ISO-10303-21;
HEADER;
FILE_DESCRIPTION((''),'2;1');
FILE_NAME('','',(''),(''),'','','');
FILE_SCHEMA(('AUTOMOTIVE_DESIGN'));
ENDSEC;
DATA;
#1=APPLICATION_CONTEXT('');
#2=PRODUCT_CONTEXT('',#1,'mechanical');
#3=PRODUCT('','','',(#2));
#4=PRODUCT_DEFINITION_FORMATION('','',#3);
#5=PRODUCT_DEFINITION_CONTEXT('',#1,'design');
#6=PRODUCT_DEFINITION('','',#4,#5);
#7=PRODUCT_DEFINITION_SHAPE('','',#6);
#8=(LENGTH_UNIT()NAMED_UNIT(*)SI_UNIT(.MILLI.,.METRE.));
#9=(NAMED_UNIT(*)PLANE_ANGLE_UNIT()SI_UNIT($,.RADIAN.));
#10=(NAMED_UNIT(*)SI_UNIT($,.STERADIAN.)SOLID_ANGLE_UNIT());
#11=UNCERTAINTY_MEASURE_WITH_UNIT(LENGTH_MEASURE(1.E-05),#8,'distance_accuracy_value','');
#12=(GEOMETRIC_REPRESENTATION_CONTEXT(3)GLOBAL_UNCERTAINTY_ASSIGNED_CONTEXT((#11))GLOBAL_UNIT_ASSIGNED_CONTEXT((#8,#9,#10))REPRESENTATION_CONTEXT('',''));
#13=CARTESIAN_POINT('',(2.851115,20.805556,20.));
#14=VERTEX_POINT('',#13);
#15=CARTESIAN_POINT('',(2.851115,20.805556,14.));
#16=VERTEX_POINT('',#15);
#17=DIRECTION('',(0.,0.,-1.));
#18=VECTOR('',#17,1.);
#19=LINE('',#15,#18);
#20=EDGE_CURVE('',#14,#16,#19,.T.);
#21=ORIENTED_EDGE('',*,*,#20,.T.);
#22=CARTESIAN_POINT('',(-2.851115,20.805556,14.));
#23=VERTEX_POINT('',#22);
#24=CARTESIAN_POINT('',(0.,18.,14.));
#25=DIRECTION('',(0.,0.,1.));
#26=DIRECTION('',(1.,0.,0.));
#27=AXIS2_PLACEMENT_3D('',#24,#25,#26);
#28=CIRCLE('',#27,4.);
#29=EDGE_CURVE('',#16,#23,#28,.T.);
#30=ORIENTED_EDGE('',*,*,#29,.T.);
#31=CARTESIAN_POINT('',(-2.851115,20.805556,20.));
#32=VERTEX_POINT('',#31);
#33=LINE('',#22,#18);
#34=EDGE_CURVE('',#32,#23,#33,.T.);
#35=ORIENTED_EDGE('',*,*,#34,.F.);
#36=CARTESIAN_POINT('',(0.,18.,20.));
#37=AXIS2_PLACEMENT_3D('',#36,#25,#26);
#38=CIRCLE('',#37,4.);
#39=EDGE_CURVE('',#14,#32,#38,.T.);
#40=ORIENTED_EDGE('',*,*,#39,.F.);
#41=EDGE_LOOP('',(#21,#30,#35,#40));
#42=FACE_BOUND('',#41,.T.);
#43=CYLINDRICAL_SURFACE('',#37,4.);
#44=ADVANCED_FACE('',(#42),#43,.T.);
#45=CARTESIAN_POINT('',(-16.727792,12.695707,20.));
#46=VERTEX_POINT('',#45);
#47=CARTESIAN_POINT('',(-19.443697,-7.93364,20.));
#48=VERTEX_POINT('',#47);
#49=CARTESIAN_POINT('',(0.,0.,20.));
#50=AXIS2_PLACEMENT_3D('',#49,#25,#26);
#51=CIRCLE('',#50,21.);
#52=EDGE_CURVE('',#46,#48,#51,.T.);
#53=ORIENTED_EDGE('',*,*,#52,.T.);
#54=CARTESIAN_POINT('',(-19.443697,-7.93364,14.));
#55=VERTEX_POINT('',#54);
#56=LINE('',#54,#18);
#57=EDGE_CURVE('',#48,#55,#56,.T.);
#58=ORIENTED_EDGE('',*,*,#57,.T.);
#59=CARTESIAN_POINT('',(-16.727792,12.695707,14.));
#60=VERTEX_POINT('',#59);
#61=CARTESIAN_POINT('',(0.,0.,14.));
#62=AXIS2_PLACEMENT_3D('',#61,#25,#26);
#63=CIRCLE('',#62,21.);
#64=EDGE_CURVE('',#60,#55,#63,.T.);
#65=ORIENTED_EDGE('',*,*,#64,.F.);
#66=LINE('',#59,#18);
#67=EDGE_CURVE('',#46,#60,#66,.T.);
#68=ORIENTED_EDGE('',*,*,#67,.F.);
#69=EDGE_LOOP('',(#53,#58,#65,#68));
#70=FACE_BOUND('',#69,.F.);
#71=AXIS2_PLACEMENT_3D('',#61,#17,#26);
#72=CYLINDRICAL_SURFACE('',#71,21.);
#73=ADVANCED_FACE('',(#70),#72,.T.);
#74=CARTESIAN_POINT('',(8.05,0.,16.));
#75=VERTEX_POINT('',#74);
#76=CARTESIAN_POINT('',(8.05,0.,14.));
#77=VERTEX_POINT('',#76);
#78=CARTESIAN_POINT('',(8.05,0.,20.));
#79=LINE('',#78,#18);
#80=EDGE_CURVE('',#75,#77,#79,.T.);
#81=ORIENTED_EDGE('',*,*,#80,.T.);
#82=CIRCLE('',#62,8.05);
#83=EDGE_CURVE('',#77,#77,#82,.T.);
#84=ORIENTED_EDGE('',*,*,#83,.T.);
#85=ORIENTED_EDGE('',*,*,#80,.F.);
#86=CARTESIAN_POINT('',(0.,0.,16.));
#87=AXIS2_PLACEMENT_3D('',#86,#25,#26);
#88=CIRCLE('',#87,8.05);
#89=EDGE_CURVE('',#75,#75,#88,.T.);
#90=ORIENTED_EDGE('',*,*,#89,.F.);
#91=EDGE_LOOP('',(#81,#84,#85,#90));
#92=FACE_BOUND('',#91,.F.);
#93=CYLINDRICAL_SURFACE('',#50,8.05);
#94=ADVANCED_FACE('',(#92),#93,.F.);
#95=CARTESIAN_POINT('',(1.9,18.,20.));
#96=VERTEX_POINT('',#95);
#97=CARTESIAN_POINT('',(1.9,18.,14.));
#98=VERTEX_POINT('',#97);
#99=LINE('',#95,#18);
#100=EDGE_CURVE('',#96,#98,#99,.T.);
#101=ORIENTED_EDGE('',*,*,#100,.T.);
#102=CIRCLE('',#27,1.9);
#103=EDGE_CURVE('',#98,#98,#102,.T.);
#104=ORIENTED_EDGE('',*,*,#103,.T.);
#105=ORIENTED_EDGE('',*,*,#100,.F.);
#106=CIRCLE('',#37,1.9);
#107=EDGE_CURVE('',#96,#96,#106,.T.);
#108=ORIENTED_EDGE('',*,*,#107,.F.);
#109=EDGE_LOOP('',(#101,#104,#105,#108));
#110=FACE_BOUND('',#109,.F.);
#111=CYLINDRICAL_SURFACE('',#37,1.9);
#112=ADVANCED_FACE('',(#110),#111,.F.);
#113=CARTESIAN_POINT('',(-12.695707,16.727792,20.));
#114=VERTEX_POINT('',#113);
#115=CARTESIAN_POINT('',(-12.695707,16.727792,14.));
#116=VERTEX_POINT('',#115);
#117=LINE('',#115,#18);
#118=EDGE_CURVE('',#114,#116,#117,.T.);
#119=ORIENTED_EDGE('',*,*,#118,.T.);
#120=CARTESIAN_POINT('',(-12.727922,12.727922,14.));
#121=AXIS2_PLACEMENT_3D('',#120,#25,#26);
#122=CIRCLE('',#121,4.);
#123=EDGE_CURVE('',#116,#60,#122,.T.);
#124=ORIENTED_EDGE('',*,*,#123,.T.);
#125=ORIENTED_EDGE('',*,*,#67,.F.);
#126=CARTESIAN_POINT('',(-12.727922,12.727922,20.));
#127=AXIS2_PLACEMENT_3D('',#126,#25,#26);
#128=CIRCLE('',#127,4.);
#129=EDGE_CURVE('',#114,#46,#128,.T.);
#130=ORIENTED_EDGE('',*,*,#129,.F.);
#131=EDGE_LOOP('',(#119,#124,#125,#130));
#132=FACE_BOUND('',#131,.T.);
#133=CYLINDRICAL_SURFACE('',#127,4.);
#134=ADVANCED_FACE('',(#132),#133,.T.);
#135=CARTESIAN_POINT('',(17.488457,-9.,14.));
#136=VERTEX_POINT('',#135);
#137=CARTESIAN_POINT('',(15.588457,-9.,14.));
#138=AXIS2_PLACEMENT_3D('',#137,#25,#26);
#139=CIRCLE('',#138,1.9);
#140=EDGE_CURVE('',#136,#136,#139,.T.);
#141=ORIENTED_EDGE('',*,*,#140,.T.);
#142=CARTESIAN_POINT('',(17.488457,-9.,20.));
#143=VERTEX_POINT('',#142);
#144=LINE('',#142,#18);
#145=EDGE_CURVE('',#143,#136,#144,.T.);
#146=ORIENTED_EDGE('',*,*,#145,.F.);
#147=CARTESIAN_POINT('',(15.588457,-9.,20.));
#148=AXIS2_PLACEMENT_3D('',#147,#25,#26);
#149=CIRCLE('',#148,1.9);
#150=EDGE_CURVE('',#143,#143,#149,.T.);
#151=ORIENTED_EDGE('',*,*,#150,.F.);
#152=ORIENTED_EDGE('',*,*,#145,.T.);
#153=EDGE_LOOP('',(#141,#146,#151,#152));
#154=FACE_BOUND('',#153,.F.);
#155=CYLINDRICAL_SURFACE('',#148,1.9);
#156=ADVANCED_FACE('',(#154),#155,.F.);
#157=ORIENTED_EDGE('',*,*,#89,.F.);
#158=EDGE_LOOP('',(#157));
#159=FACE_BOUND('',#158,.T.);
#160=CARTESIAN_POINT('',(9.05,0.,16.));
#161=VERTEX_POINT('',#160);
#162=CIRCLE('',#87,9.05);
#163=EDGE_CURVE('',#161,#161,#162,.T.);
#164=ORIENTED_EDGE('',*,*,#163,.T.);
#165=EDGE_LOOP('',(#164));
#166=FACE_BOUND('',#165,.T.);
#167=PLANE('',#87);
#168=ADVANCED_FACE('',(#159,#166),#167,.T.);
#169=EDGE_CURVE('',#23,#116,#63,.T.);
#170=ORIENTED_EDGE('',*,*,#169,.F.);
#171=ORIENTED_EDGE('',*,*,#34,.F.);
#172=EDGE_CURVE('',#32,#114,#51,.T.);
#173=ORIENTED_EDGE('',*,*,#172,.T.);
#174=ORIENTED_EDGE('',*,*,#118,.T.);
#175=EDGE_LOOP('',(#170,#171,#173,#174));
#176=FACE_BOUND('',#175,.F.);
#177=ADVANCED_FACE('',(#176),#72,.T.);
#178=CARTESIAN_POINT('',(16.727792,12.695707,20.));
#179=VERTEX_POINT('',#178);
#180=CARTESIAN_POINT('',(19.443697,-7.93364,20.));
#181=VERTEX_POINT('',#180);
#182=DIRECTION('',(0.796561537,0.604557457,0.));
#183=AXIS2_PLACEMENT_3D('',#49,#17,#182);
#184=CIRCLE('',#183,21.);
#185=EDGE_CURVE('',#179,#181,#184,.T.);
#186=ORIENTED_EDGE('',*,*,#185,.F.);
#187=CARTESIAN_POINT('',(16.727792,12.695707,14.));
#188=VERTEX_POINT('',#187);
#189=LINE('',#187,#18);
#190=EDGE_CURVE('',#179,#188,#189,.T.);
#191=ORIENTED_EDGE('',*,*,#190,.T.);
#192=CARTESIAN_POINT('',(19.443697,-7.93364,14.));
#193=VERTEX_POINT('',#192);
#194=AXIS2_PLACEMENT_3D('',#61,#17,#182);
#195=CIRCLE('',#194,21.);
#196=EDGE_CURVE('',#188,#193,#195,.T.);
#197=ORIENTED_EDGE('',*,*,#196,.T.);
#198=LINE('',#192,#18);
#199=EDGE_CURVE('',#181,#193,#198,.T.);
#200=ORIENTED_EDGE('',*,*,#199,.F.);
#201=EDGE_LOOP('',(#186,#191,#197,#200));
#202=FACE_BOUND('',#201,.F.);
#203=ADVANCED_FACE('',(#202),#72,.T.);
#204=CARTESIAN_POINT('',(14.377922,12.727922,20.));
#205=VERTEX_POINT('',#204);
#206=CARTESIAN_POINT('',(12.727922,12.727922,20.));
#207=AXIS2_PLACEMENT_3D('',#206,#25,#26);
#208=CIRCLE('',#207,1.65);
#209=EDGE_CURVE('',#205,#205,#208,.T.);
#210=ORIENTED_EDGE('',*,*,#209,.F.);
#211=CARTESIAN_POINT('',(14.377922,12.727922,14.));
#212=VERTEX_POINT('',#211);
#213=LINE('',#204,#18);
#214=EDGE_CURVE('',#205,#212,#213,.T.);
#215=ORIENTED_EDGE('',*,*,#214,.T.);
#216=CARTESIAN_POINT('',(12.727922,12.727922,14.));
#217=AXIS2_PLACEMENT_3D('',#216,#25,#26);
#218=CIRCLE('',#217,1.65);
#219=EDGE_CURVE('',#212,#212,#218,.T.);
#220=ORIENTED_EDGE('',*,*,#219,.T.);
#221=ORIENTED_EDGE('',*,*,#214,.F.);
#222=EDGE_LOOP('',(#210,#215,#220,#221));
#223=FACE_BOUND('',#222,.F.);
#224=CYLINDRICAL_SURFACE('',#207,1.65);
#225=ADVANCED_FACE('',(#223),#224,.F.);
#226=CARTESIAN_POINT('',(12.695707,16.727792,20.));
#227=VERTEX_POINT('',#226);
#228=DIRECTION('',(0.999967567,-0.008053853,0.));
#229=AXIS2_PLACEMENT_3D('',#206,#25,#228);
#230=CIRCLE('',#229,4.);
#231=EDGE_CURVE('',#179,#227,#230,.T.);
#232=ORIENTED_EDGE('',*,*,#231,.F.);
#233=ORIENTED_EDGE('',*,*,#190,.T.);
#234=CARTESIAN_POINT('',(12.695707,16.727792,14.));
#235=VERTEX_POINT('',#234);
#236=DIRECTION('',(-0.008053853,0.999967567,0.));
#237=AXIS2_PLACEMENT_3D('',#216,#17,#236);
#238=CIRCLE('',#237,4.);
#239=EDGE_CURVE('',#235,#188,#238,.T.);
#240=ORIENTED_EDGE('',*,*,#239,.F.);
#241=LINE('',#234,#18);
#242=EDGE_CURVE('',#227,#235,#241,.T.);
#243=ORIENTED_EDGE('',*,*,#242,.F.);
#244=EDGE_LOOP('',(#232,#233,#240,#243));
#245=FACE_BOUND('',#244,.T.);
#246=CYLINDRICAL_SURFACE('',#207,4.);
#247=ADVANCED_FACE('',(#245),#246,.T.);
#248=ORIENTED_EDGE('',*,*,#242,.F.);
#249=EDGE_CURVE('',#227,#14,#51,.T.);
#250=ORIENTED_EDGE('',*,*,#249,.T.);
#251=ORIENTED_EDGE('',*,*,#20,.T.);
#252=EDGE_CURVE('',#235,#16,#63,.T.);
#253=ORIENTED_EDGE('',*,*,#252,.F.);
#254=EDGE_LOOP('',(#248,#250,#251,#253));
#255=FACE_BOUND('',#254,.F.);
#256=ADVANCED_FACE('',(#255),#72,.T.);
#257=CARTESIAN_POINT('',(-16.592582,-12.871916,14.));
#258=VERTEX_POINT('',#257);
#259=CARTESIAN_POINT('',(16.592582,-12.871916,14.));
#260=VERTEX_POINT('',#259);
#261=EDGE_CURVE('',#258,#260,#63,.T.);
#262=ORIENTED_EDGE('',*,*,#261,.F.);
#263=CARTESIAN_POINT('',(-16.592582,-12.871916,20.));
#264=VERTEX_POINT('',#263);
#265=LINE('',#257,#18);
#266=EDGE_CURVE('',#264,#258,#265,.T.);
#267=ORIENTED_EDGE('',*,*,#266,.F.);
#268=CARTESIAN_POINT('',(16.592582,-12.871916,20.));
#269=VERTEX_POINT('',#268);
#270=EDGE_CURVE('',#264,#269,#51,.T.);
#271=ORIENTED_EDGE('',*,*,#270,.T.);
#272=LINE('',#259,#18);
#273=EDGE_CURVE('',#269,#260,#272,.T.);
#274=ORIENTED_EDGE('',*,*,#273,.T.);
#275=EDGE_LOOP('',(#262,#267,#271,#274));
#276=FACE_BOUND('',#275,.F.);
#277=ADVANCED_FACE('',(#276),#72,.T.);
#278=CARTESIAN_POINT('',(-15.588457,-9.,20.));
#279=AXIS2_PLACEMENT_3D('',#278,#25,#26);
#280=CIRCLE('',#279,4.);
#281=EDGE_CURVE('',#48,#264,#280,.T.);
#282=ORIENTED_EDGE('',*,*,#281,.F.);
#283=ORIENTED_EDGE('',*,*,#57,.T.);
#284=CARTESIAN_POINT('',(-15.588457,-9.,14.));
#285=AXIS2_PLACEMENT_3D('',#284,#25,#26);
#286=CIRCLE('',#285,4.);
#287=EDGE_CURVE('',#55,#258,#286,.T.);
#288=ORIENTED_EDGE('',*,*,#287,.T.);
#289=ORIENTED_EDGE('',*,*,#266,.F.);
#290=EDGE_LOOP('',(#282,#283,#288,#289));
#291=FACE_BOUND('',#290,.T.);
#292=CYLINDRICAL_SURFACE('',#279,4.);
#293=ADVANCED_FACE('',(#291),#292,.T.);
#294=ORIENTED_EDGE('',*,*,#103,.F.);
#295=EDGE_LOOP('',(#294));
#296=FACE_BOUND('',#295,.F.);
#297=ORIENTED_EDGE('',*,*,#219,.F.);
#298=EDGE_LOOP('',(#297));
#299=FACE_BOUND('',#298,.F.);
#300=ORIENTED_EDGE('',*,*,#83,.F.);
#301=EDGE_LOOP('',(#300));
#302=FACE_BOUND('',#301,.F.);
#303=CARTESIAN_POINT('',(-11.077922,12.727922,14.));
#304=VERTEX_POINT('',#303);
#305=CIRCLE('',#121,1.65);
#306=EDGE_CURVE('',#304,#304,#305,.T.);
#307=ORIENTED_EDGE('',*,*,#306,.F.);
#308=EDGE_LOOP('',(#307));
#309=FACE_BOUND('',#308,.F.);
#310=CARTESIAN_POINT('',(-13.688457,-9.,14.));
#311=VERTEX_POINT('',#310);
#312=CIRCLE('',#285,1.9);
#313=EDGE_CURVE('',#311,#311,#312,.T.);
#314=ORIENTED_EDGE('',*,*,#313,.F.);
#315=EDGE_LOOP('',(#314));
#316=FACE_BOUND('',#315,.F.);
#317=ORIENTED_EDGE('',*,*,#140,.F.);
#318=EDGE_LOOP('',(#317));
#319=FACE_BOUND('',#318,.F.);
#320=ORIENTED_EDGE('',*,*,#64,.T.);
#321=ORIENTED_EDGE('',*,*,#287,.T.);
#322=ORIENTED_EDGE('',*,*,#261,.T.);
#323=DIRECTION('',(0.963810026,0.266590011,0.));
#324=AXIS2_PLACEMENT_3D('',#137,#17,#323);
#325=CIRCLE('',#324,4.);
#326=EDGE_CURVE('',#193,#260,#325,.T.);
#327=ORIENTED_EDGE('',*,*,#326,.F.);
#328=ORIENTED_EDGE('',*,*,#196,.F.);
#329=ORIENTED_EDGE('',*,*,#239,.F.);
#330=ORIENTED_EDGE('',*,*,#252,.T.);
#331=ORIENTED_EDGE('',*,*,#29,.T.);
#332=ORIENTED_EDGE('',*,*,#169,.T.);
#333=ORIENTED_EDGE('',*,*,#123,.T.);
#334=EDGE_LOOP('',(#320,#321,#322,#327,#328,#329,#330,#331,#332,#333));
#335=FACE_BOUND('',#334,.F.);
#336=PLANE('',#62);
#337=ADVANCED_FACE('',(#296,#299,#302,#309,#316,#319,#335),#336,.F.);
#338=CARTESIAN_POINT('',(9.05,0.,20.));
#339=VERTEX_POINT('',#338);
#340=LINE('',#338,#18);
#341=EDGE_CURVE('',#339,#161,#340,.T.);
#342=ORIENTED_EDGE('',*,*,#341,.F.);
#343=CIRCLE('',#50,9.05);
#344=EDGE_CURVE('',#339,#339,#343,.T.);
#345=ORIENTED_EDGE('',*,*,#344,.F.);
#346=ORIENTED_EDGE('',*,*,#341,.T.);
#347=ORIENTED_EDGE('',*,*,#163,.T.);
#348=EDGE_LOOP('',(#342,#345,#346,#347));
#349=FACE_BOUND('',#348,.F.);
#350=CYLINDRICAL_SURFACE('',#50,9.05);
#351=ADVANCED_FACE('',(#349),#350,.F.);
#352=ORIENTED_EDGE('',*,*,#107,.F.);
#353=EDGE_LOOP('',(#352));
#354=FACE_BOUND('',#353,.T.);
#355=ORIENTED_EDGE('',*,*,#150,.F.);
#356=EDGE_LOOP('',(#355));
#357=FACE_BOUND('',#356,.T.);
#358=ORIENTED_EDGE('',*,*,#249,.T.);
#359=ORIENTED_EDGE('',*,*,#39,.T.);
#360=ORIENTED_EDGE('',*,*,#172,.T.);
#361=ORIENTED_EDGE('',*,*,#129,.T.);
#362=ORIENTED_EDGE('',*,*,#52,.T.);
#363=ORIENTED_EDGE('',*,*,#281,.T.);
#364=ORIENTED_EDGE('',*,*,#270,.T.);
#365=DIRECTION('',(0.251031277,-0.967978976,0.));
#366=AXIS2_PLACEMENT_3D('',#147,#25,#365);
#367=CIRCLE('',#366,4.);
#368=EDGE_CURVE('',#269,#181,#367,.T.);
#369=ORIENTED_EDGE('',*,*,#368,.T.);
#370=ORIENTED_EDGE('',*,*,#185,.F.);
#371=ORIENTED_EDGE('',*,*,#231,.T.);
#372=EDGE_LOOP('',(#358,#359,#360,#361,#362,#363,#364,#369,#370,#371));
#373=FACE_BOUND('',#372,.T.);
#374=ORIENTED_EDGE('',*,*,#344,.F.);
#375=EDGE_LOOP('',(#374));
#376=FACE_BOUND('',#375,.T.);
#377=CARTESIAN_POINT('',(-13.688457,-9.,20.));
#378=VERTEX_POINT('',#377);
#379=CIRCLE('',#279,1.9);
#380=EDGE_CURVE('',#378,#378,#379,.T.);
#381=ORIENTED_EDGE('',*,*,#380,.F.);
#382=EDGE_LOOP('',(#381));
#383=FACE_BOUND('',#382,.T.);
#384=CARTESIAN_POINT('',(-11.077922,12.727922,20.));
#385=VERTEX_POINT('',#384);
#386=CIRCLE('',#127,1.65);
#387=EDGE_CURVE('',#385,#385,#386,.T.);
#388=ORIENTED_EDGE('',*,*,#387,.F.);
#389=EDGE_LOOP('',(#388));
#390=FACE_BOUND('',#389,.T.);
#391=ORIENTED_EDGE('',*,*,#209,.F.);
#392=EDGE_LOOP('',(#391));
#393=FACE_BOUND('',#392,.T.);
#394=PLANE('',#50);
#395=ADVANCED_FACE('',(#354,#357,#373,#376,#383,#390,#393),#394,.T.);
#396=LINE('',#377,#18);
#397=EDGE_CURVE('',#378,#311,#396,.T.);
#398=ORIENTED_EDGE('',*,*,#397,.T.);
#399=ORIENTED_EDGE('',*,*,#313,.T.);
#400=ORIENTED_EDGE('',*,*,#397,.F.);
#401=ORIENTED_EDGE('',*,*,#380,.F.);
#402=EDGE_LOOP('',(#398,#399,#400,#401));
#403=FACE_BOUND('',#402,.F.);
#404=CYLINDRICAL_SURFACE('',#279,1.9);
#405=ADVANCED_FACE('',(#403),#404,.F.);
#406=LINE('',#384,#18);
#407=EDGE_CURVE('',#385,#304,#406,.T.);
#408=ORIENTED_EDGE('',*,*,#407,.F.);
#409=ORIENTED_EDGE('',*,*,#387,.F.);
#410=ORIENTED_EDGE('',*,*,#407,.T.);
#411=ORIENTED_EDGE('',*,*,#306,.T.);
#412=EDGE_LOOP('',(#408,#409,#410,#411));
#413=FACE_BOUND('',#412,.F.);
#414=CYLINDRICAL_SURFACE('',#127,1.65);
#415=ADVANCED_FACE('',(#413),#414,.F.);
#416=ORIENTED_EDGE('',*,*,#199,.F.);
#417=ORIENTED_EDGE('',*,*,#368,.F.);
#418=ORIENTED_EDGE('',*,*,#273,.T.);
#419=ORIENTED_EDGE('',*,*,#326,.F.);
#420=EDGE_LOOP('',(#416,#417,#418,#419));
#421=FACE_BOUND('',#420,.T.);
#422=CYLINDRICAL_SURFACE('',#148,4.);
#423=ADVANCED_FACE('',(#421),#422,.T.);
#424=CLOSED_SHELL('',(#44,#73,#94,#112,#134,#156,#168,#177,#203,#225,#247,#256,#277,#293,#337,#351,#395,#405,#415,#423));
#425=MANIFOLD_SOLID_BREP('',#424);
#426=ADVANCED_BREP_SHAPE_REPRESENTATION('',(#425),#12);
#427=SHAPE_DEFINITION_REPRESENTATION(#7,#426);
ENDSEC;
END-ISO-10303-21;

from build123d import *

# Parameters (mm, degrees)
SKETCH009_R     = 21
PAD002_DEPTH    = 6
SKETCH010_R     = 4
PAD003_DEPTH    = 6
SKETCH011_R     = 1.65
SKETCH011_R_2   = 1.9
POCKET007_DEPTH = 6.001
SKETCH012_R     = 9.05
POCKET008_DEPTH = 4
SKETCH013_R     = 8.05
POCKET009_DEPTH = 6.001


with BuildPart() as part:
    # Sketch009 → Pad002 (new body)
    with BuildSketch(Plane.XY):
        Circle(SKETCH009_R)
    extrude(amount=PAD002_DEPTH)

    # Sketch010 (on DatumPlane) → Pad003 (join)
    with BuildSketch(Plane.XY.offset(6)):
        with Locations((-12.727922, 12.727922)):
            Circle(SKETCH010_R)
        with Locations((0, 18)):
            Circle(SKETCH010_R)
        with Locations((12.727922, 12.727922)):
            Circle(SKETCH010_R)
        with Locations((15.588457, -9)):
            Circle(SKETCH010_R)
        with Locations((-15.588457, -9)):
            Circle(SKETCH010_R)
    extrude(amount=-PAD003_DEPTH)

    # Sketch011 (on DatumPlane) → Pocket007 (cut, through all)
    with BuildSketch(Plane.XY.offset(6)):
        with Locations((-12.727922, 12.727922)):
            Circle(SKETCH011_R)
        with Locations((0, 18)):
            Circle(SKETCH011_R_2)
        with Locations((12.727922, 12.727922)):
            Circle(SKETCH011_R)
        with Locations((-15.588457, -9)):
            Circle(SKETCH011_R_2)
        with Locations((15.588457, -9)):
            Circle(SKETCH011_R_2)
    extrude(amount=-POCKET007_DEPTH, mode=Mode.SUBTRACT)

    # Sketch012 (on DatumPlane) → Pocket008 (cut)
    with BuildSketch(Plane.XY.offset(6)):
        Circle(SKETCH012_R)
    extrude(amount=-POCKET008_DEPTH, mode=Mode.SUBTRACT)

    # Sketch013 (on DatumPlane) → Pocket009 (cut, through all)
    with BuildSketch(Plane.XY.offset(6)):
        Circle(SKETCH013_R)
    extrude(amount=-POCKET009_DEPTH, mode=Mode.SUBTRACT)


with BuildPart() as part_1:
    # Body001 placement: moved
    add(part.part.moved(Location((0, 0, 14))))


solid = part_1.part
